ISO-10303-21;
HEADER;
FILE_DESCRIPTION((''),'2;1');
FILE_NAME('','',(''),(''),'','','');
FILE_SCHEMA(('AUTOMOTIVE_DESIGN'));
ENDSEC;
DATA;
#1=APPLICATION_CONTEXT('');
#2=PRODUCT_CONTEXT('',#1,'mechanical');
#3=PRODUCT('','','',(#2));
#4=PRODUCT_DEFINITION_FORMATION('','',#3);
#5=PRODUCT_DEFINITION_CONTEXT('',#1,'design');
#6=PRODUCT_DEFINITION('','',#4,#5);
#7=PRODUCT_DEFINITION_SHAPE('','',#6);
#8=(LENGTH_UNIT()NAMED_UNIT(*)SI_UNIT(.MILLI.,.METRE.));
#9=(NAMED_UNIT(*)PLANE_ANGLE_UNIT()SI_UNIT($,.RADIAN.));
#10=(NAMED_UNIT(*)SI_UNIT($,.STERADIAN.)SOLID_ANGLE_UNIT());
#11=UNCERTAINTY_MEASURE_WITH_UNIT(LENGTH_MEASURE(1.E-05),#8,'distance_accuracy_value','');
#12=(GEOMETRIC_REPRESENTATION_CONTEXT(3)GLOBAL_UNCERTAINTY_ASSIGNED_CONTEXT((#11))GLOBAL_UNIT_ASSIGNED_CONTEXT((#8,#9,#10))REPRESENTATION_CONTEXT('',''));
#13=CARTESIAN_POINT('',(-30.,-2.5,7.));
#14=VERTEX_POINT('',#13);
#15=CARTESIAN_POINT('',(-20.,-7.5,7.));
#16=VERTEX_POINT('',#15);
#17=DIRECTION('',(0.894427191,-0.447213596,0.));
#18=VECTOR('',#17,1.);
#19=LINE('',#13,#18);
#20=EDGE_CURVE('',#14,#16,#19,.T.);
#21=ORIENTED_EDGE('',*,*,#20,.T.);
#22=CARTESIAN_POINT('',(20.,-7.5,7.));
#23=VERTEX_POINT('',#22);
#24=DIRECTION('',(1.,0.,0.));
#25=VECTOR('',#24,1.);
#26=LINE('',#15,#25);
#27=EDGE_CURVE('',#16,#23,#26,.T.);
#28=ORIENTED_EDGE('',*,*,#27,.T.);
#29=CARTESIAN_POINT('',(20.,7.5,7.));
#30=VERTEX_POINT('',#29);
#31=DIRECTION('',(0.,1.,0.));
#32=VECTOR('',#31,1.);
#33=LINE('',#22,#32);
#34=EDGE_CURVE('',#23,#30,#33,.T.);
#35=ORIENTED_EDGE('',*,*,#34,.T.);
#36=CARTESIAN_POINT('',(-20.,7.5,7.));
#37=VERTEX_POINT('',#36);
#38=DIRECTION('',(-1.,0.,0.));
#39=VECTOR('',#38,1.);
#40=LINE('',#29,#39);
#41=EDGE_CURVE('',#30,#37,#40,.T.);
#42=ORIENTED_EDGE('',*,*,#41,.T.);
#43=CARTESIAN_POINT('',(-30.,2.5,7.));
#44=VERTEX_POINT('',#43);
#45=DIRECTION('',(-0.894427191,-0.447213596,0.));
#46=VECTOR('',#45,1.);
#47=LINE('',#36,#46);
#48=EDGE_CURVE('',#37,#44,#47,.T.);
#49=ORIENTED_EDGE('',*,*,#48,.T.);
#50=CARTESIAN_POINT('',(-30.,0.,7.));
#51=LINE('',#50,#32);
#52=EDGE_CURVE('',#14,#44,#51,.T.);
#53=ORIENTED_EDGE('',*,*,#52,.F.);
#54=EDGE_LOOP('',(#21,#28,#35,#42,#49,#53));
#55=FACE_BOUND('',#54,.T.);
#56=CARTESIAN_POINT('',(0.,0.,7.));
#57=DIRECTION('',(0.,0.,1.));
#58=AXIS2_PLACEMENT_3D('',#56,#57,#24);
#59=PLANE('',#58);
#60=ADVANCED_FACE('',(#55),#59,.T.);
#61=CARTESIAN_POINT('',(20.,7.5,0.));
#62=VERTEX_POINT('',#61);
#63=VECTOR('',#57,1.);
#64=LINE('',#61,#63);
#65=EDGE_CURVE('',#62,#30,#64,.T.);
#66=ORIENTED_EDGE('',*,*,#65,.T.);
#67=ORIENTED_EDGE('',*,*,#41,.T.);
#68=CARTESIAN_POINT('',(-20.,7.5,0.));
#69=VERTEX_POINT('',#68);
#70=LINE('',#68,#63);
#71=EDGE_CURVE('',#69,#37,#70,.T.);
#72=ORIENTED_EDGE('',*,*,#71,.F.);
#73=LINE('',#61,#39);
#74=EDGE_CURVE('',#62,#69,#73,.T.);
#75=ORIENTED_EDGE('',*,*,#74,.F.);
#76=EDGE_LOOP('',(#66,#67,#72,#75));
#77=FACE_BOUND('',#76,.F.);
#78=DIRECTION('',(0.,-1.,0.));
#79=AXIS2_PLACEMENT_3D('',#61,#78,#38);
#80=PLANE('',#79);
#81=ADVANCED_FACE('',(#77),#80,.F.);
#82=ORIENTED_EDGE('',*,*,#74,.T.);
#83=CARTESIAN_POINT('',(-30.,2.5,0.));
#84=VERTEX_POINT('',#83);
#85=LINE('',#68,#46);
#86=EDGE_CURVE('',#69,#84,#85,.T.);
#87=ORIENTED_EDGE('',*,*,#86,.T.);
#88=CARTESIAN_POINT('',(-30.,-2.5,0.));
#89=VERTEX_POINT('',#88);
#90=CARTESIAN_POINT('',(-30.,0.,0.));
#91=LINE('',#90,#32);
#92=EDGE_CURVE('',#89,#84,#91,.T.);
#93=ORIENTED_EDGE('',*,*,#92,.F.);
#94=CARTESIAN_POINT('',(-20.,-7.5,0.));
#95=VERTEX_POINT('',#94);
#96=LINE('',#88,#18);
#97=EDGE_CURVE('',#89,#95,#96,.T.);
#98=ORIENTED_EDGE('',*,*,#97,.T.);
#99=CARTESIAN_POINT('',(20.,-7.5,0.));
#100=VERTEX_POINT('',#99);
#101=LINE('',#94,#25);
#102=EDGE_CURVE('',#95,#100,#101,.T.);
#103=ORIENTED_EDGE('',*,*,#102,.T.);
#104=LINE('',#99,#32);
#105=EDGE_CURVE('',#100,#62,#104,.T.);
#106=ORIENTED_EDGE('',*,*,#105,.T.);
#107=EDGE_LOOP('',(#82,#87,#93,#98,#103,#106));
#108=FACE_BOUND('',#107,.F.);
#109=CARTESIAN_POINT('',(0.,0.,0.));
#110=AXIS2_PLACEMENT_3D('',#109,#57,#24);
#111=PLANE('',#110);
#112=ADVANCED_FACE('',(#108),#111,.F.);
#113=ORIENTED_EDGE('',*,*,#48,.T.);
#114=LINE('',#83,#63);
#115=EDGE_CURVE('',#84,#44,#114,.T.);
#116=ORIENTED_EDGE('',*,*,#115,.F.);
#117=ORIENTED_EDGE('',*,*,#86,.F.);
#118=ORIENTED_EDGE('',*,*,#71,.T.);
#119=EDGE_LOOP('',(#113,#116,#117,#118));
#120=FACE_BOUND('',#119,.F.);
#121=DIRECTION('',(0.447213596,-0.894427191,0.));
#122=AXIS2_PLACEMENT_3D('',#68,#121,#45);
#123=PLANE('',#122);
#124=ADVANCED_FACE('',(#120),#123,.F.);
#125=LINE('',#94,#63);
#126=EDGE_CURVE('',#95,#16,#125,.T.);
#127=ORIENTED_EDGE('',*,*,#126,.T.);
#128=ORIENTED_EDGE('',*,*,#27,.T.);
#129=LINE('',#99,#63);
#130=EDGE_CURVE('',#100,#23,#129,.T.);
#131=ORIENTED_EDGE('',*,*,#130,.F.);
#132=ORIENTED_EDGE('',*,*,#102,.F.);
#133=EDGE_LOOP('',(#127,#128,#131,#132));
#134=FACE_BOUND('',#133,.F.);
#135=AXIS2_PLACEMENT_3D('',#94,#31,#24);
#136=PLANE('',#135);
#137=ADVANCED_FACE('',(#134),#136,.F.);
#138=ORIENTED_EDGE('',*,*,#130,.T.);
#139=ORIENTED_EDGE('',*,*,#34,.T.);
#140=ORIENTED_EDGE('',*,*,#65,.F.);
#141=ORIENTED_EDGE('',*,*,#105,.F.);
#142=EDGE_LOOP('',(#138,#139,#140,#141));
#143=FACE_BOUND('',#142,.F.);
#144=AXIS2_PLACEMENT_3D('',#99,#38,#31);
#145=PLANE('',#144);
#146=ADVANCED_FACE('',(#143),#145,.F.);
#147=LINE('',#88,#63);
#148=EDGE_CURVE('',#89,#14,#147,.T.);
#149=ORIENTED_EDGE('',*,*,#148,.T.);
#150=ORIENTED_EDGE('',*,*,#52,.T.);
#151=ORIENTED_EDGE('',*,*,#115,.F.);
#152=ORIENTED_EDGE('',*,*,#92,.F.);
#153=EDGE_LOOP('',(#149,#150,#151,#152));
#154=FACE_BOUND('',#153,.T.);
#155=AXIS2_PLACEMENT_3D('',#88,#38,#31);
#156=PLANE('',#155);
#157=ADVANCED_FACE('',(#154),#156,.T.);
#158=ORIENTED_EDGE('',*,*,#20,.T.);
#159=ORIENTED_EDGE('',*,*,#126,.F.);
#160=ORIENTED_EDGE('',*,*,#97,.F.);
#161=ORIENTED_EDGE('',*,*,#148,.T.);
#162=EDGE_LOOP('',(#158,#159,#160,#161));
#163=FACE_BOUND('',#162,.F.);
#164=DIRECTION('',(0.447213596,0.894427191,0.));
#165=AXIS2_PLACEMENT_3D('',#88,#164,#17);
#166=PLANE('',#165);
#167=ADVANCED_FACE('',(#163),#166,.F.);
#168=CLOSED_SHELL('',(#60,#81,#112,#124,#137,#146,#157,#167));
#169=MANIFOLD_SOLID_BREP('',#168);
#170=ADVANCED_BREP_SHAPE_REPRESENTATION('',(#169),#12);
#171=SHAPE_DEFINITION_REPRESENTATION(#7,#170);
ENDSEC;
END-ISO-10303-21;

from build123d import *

# Parameters (mm, degrees)
F0_W     = 10
F0_H     = 5
F1_DEPTH = 7


with BuildPart() as f1:
    # F0 (on Top) → F1 (new body)
    with BuildSketch(Plane.XY):
        Polygon((-20, -7.5), (20, -7.5), (20, 7.5), (-20, 7.5), (-20, 2.5), (-20, -2.5), align=None)
        Polygon((-30, -2.5), (-20, -7.5), (-20, -2.5), align=None)
        with Locations((-25, 0)):
            Rectangle(F0_W, F0_H)
        Polygon((-20, 2.5), (-20, 7.5), (-30, 2.5), align=None)
    extrude(amount=F1_DEPTH)


solid = f1.part
